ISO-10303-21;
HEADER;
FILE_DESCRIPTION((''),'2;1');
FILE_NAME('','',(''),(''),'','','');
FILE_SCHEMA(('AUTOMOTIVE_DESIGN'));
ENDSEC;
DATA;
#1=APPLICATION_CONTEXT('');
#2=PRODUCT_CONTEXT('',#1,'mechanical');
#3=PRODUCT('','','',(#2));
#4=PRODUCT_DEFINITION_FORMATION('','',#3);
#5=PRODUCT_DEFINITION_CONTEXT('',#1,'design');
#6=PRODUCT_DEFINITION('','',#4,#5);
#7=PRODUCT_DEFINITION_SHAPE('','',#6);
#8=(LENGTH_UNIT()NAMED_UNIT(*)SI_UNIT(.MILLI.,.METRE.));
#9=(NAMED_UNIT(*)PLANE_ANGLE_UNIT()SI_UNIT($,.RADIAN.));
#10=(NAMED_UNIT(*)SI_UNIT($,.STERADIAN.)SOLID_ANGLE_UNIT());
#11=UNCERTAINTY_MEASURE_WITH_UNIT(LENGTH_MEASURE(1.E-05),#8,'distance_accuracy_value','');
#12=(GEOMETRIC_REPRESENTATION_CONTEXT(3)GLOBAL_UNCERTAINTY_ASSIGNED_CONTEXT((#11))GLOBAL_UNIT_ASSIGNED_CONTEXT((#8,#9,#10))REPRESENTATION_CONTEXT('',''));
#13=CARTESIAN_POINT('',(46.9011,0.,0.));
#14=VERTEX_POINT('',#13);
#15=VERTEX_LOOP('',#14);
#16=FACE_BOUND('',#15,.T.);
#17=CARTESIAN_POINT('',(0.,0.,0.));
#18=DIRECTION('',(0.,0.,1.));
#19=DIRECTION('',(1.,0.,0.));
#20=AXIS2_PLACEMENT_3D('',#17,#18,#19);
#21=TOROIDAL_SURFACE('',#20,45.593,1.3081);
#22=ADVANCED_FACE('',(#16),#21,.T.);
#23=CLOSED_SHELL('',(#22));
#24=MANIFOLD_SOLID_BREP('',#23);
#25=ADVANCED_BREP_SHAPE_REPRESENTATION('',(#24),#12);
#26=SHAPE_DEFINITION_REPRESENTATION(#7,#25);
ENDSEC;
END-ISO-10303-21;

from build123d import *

# Parameters (mm, degrees)
SKETCH1_R = 1.3081


with BuildPart() as part:
    # Sketch1 → Revolve1 (revolve)
    with BuildSketch(Plane(origin=(0, 0, 0), x_dir=(0, -1, 0), z_dir=(1, 0, 0))):
        with Locations((45.593, 0)):
            Circle(SKETCH1_R)
    revolve(axis=Axis((0, 0, 1.3081), (0, 0, -1)))


solid = part.part
